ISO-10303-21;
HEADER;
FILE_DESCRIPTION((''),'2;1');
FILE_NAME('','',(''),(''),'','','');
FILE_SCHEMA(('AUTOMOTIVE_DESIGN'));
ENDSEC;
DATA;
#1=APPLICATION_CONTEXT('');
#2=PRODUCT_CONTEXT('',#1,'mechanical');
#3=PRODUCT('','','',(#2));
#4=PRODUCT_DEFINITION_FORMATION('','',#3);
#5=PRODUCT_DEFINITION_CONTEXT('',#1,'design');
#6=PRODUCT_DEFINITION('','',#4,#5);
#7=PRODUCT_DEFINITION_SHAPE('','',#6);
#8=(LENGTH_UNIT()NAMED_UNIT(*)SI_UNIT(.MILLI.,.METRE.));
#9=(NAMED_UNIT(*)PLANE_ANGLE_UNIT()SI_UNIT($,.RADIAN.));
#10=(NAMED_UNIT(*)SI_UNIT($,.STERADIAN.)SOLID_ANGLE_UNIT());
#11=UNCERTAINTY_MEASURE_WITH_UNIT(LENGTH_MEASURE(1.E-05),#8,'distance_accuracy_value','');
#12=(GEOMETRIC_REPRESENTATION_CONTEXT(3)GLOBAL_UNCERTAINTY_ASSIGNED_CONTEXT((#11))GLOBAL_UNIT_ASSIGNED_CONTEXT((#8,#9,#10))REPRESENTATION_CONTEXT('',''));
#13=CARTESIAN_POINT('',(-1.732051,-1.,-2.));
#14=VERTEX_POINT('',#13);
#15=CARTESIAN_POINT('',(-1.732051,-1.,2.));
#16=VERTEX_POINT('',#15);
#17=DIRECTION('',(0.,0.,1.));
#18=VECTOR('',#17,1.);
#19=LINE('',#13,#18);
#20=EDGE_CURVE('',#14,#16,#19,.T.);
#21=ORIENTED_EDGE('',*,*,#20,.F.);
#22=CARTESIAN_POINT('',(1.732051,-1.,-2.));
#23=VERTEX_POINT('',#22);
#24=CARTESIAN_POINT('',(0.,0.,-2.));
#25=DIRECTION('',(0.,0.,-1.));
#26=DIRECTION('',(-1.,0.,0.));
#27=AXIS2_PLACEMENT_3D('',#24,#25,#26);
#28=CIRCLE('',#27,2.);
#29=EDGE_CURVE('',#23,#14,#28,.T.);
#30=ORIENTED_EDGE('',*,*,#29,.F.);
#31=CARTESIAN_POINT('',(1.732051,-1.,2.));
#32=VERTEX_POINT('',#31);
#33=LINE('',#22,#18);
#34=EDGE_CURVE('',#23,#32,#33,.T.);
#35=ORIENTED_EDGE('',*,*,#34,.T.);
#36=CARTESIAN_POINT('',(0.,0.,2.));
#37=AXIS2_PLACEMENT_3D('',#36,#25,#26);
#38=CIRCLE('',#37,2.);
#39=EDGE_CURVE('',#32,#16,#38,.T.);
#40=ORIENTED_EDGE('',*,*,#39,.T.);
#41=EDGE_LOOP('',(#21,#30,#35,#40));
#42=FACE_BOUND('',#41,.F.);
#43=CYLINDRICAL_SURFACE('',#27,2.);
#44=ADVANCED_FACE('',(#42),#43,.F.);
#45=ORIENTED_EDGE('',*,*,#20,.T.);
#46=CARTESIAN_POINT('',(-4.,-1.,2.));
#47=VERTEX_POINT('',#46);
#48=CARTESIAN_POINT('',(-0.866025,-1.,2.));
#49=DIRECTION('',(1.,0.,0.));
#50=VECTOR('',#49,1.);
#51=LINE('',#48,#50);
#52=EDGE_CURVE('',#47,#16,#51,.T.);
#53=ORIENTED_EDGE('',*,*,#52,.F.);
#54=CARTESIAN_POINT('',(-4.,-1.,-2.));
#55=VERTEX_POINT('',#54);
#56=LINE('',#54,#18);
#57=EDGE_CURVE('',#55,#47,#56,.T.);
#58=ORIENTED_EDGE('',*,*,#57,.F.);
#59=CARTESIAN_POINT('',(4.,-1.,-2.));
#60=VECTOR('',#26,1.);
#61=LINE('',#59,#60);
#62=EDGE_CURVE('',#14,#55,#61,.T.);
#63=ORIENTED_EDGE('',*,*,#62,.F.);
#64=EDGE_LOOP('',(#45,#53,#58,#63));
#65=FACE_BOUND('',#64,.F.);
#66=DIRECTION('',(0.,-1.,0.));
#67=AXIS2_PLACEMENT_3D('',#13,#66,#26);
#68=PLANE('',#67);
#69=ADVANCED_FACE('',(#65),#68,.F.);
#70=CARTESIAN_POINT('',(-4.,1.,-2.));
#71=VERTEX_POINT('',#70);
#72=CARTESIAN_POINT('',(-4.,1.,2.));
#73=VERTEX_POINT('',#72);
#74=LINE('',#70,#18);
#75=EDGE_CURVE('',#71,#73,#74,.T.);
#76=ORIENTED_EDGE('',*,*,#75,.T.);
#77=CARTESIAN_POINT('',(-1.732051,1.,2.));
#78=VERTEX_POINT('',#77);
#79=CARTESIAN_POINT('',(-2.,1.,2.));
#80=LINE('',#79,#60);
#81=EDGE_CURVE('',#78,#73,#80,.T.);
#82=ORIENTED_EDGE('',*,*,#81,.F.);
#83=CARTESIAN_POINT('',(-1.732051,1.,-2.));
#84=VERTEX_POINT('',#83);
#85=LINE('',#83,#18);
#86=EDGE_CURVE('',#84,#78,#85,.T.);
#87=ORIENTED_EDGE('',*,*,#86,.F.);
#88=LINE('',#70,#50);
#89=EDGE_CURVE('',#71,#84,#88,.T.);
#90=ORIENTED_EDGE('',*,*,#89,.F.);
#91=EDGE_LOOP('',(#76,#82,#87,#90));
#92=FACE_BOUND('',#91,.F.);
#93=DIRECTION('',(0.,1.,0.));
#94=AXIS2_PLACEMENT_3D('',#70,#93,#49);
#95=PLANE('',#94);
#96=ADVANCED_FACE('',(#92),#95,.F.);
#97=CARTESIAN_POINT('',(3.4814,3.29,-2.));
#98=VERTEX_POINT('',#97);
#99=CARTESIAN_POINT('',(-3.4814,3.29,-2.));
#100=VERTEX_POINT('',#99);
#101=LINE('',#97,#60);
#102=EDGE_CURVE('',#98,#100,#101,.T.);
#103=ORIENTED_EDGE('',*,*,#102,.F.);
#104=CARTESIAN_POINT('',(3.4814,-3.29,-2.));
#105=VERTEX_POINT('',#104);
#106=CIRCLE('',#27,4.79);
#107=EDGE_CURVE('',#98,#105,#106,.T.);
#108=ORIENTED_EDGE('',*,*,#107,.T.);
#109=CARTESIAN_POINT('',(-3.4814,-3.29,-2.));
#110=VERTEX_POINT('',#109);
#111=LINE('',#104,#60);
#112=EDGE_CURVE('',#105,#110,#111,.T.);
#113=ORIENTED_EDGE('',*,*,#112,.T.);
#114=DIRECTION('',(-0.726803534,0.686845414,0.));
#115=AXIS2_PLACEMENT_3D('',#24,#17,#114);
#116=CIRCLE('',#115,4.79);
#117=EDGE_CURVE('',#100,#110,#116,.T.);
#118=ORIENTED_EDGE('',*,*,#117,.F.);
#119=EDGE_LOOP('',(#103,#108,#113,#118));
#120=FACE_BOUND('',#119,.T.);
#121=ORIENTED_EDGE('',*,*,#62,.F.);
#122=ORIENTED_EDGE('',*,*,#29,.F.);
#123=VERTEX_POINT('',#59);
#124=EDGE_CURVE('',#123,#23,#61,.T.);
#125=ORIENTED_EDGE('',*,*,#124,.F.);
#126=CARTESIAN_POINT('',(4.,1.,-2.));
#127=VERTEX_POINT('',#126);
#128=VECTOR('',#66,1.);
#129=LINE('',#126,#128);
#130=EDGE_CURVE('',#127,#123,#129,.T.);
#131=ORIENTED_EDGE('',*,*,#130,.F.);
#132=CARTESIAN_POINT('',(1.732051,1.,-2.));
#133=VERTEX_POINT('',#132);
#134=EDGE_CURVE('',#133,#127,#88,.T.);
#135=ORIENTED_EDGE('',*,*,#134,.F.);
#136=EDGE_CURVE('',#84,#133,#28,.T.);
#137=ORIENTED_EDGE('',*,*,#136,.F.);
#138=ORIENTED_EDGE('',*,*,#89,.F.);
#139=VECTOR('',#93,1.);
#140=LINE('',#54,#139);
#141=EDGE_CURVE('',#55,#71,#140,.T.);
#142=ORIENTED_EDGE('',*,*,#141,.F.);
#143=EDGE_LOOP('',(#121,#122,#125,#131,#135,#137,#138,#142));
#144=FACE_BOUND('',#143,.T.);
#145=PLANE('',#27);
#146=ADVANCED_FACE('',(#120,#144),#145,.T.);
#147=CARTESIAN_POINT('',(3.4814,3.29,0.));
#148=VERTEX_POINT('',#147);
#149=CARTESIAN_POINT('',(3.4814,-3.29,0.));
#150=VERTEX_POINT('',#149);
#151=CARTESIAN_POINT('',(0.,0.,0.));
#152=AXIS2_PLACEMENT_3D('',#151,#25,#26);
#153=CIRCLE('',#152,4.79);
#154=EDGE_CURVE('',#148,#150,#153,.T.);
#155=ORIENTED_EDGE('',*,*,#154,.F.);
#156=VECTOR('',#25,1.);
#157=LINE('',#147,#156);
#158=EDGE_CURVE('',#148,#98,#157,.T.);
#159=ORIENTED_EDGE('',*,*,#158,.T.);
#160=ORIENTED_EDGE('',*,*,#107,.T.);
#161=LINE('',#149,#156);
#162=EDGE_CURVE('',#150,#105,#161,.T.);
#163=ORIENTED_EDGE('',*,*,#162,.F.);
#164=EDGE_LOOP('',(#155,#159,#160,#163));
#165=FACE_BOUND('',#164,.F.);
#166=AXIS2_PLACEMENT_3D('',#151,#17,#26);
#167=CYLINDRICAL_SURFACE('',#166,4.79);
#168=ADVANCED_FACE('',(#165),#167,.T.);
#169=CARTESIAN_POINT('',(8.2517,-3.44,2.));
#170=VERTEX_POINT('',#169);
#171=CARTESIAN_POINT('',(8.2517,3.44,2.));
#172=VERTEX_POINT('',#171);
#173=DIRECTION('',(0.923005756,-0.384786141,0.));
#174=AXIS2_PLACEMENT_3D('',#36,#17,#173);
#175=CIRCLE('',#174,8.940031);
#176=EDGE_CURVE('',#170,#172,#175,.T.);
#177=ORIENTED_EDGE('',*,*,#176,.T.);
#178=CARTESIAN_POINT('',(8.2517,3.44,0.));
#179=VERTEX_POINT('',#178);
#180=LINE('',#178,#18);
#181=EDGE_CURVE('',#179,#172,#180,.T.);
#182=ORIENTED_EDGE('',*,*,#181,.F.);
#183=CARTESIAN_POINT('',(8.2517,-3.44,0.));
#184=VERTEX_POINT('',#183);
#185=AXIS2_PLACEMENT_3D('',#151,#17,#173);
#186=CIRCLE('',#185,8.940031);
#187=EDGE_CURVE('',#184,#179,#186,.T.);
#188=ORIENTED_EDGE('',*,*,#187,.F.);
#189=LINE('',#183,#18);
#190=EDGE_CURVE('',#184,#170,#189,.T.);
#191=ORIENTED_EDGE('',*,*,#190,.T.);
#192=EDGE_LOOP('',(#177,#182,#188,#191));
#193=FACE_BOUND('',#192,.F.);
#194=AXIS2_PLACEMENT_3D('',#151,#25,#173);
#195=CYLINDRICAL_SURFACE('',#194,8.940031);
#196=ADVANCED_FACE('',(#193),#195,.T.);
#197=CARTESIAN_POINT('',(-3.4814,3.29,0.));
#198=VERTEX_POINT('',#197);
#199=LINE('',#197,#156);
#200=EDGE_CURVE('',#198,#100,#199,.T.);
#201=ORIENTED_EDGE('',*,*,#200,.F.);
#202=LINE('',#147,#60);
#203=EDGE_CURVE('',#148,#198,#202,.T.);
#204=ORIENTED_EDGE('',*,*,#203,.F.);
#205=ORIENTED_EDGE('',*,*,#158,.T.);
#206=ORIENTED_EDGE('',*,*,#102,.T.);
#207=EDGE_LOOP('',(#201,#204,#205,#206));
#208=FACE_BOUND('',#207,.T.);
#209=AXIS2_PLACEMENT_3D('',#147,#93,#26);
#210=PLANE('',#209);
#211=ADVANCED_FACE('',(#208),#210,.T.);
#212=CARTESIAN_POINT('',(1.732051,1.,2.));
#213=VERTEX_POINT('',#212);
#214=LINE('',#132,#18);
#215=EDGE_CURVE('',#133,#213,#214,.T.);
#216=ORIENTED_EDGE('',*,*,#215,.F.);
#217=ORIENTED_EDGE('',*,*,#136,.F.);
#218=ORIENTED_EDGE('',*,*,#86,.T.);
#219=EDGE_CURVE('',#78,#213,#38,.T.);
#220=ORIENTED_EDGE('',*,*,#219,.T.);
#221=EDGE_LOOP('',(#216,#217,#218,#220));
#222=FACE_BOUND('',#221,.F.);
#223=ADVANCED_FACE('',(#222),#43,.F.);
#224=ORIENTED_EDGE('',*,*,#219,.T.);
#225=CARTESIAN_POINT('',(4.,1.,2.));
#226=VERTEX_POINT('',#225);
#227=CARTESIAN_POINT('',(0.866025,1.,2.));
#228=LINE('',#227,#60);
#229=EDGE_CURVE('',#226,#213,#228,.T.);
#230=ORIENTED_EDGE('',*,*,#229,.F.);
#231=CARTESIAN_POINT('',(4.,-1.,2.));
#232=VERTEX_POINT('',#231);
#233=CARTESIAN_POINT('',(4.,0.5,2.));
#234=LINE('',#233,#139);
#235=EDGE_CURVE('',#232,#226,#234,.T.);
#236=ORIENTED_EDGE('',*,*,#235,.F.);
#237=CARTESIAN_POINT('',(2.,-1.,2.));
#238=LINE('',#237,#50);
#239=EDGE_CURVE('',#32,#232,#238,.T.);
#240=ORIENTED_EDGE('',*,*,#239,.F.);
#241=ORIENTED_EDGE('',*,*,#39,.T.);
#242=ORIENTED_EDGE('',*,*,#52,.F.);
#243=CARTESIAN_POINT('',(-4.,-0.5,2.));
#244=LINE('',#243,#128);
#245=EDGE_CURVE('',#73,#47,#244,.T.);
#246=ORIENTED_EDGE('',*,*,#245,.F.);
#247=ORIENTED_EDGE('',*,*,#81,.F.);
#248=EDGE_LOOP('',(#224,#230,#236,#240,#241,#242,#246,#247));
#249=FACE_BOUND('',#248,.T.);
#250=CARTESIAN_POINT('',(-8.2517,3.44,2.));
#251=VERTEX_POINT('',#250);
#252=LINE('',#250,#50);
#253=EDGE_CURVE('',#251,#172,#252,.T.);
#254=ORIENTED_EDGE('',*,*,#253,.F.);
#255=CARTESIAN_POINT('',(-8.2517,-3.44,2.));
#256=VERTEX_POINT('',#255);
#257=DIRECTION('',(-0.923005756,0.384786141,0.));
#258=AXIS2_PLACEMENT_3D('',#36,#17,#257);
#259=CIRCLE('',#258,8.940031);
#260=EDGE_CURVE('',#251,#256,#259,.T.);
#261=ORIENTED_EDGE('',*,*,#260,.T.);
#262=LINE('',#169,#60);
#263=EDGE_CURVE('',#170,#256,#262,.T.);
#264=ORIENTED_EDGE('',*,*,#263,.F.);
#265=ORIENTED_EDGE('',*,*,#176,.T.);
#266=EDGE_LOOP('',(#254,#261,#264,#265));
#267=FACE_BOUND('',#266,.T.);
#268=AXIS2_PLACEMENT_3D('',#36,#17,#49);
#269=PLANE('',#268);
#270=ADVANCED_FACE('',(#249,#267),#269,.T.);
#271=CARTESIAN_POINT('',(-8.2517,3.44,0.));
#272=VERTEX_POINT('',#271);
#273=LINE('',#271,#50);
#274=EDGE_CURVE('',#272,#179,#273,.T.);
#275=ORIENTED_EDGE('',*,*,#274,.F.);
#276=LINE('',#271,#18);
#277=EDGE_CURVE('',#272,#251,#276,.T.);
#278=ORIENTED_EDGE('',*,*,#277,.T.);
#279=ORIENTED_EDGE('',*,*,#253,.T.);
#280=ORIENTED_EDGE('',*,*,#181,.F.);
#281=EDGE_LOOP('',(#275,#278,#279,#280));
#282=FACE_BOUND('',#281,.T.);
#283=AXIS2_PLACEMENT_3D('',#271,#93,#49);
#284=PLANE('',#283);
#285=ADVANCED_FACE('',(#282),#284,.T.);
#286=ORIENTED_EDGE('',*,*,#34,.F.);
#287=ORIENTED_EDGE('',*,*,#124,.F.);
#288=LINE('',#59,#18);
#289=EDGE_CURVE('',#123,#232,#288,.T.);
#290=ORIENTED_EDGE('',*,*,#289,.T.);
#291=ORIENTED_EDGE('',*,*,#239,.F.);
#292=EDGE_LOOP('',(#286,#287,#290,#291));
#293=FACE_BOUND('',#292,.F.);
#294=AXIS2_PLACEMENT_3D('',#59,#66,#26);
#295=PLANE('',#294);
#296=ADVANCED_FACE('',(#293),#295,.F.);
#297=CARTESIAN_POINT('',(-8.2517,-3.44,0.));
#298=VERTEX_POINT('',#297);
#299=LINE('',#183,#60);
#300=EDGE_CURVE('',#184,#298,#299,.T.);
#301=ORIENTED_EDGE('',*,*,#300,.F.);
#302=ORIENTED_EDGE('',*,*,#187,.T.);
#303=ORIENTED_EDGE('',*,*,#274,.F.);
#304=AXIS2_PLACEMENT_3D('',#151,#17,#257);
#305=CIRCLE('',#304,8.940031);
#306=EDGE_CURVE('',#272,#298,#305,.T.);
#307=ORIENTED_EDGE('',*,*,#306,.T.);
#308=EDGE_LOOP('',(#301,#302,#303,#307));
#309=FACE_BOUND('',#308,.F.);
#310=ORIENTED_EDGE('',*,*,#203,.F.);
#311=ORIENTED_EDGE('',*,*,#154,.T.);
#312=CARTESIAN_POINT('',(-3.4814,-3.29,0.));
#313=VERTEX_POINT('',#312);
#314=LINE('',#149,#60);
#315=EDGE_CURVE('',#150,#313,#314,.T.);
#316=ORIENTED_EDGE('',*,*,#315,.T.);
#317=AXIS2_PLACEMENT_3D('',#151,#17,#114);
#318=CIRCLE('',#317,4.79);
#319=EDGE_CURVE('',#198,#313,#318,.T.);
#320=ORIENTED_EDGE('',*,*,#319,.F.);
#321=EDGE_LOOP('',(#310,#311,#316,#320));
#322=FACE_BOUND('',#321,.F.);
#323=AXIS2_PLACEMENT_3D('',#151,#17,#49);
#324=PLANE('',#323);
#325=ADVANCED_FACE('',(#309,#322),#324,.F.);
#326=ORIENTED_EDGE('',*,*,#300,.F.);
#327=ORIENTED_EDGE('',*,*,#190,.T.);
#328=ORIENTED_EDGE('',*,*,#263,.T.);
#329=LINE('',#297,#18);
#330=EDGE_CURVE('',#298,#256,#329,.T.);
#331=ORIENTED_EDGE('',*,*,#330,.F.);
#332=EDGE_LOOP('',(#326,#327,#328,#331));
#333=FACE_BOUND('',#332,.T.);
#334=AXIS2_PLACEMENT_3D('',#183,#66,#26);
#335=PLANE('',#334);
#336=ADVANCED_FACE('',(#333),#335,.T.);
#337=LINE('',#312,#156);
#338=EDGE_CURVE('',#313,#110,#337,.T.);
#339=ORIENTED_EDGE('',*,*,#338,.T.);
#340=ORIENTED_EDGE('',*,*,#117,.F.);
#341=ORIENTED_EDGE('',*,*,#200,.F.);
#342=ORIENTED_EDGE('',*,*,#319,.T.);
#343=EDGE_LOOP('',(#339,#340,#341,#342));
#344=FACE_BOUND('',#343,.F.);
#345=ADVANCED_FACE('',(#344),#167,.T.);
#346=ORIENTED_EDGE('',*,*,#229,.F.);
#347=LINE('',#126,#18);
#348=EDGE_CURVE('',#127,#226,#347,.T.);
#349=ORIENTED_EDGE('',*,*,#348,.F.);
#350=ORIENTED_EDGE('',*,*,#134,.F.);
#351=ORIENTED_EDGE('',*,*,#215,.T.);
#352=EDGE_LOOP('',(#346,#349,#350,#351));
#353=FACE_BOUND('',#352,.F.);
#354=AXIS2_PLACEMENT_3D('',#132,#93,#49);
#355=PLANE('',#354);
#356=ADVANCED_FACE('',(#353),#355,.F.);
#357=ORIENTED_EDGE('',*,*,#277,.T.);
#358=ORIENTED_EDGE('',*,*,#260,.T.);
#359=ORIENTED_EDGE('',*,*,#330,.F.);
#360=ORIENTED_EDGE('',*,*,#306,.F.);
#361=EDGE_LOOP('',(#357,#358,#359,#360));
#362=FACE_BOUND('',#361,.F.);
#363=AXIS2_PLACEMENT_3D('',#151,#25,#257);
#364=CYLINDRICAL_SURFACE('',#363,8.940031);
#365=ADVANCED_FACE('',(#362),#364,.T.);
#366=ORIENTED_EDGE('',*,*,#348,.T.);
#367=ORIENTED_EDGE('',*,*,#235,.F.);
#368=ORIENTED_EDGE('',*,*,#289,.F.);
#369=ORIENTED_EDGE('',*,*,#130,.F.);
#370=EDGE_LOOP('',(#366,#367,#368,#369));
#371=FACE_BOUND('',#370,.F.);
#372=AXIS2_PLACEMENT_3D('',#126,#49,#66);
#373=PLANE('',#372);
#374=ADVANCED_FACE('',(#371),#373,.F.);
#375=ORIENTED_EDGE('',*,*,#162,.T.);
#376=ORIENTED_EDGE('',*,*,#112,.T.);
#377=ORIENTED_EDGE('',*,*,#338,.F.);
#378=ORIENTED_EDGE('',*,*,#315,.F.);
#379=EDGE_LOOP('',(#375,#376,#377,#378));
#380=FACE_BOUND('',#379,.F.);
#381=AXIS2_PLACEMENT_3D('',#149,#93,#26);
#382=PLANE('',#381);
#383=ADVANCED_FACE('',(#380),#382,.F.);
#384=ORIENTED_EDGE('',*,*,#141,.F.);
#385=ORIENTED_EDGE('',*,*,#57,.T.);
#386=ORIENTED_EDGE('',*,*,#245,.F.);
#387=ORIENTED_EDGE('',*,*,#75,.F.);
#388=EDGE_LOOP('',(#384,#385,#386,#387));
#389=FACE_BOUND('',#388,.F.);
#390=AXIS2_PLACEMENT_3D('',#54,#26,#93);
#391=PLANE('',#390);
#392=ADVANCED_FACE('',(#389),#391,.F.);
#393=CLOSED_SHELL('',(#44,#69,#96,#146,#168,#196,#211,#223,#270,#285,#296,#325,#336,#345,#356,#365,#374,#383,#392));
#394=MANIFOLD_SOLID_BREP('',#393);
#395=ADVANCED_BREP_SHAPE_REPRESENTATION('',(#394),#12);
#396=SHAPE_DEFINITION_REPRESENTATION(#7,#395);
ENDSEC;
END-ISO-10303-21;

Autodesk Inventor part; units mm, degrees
ref_plane "YZ Plane" through (0, 0, 0) normal (1, 0, 0) x (0, 1, 0)
ref_plane "XZ Plane" through (0, 0, 0) normal (0, 1, 0) x (-1, 0, 0)
ref_plane "XY Plane" through (0, 0, 0) normal (0, 0, 1) x (1, 0, 0)
ref_plane "Work Plane1" through (0, 0, 0) normal (0, 0, 1) x (1, 0, 0)
sketch "Sketch1" plane through (0, 0, 0) normal (0, 0, 1) x (1, 0, 0)
  arc A0 (-3.5454, 3.44) -> (-3.5454, -3.44) centre (0, 0) ccw construction
  line L0 (-3.5454, 3.44) -> (-1.1656, 3.44) construction
  line L1 (-1.1656, 3.44) -> (-1.1656, 4.44) construction
  line L2 (-1.1656, 4.44) -> (-2.5, 4.44) construction
  line L3 (-2.5, 4.44) -> (-2.5, 5.44) construction
  line L4 (-2.5, 5.44) -> (2.5, 5.44) construction
  line L5 (2.5, 5.44) -> (2.5, 4.44) construction
  line L6 (2.5, 4.44) -> (1.1656, 4.44) construction
  line L7 (1.1656, 4.44) -> (1.1656, 3.44) construction
  line L8 (1.1656, 3.44) -> (3.5454, 3.44) construction
  arc A1 (3.5454, -3.44) -> (3.5454, 3.44) centre (0, 0) ccw construction
  line L9 (1.1656, -3.44) -> (3.5454, -3.44) construction
  line L10 (1.1656, -4.44) -> (1.1656, -3.44) construction
  line L11 (1.1656, -4.44) -> (2.5, -4.44) construction
  line L12 (2.5, -4.44) -> (2.5, -5.44) construction
  line L13 (2.5, -5.44) -> (-2.5, -5.44) construction
  line L14 (-2.5, -5.44) -> (-2.5, -4.44) construction
  line L15 (-1.1656, -4.44) -> (-2.5, -4.44) construction
  line L16 (-1.1656, -3.44) -> (-1.1656, -4.44) construction
  line L17 (-3.5454, -3.44) -> (-1.1656, -3.44) construction
  arc A2 (-11, 8.1244) -> (-11, -8.1244) centre (0, 0) ccw projected
  line L18 (-11, -8.1244) -> (-11, -24.74) projected
  line L19 (-11, -24.74) -> (11, -24.74) projected
  line L20 (11, -24.74) -> (11, -8.1244) projected
  arc A3 (11, -8.1244) -> (11, 8.1244) centre (0, 0) ccw projected
  line L21 (11, 24.74) -> (11, 8.1244) projected
  line L22 (-11, 24.74) -> (11, 24.74) projected
  line L23 (-11, 8.1244) -> (-11, 24.74) projected
  line L24 (-8.2517, 3.44) -> (8.2517, 3.44)
  line L25 (8.2517, 3.44) -> (8.2517, -3.44)
  line L26 (8.2517, -3.44) -> (-8.2517, -3.44)
  line L27 (-8.2517, -3.44) -> (-8.2517, 3.44)
  arc A4 (8.2517, -3.44) -> (8.2517, 3.44) centre (0, 0) ccw
  arc A5 (-8.2517, 3.44) -> (-8.2517, -3.44) centre (0, 0) ccw
  point P0 (0, 0)
extrude "Extrusion1" add sketch "Sketch1" along normal blind 2 contours L24 L25 L26 L27 | L27 A5 | A4 L25
sketch "Sketch2" plane through (0, 0, 0) normal (0, 0, -1) x (-1, 0, 0)
  line L0 (-8.2517, 3.44) -> (8.2517, 3.44) construction
  line L1 (8.2517, -3.44) -> (-8.2517, -3.44) construction
  line L2 (1.1656, -3.44) -> (3.5454, -3.44) construction
  line L3 (1.1656, -4.69) -> (1.1656, -3.44) construction
  line L4 (2.25, -4.69) -> (1.1656, -4.69) construction
  line L5 (2.25, -5.19) -> (2.25, -4.69) construction
  line L6 (-2.25, -5.19) -> (2.25, -5.19) construction
  line L7 (-2.25, -4.69) -> (-2.25, -5.19) construction
  line L8 (-1.1656, -4.69) -> (-2.25, -4.69) construction
  line L9 (-1.1656, -3.44) -> (-1.1656, -4.69) construction
  line L10 (-3.5454, -3.44) -> (-1.1656, -3.44) construction
  arc A0 (-3.5454, 3.44) -> (-3.5454, -3.44) centre (0, 0) ccw construction
  line L11 (-3.5454, 3.44) -> (-1.1656, 3.44) construction
  line L12 (-1.1656, 3.44) -> (-1.1656, 4.69) construction
  line L13 (-1.1656, 4.69) -> (-2.25, 4.69) construction
  line L14 (-2.25, 4.69) -> (-2.25, 5.19) construction
  line L15 (-2.25, 5.19) -> (2.25, 5.19) construction
  line L16 (2.25, 5.19) -> (2.25, 4.69) construction
  line L17 (2.25, 4.69) -> (1.1656, 4.69) construction
  line L18 (1.1656, 4.69) -> (1.1656, 3.44) construction
  line L19 (1.1656, 3.44) -> (3.5454, 3.44) construction
  arc A1 (3.5454, -3.44) -> (3.5454, 3.44) centre (0, 0) ccw construction
  circle A2 centre (0, 0) radius 6.94 construction
  circle A3 centre (0, 0) radius 4.79
  line L20 (-3.4814, 3.29) -> (3.4814, 3.29)
  line L21 (-3.4814, -3.29) -> (3.4814, -3.29)
  dimension "d3" = 0.15
  dimension "d4" = 0.15
  dimension "d5" = 0.15
extrude "Extrusion2" add sketch "Sketch2" along normal blind 2 contours A3 L21 L20
sketch "Sketch3" plane through (0, 0, -2) normal (0, 0, -1) x (-1, 0, 0)
  arc A0 (3.4814, -3.29) -> (3.4814, 3.29) centre (0, 0) ccw projected
  circle A1 centre (0, 0) radius 2
  line L0 (-4, -1) -> (4, -1)
  line L1 (4, -1) -> (4, 1)
  line L2 (4, 1) -> (-4, 1)
  line L3 (-4, 1) -> (-4, -1)
  line L4 (-4, -1) -> (4, 1) construction
  line L5 (4, -1) -> (-4, 1) construction
  dimension "d8" = 4
extrude "Extrusion3" cut sketch "Sketch3" against normal through all
properties part number "ECoG_holder_cap2"
